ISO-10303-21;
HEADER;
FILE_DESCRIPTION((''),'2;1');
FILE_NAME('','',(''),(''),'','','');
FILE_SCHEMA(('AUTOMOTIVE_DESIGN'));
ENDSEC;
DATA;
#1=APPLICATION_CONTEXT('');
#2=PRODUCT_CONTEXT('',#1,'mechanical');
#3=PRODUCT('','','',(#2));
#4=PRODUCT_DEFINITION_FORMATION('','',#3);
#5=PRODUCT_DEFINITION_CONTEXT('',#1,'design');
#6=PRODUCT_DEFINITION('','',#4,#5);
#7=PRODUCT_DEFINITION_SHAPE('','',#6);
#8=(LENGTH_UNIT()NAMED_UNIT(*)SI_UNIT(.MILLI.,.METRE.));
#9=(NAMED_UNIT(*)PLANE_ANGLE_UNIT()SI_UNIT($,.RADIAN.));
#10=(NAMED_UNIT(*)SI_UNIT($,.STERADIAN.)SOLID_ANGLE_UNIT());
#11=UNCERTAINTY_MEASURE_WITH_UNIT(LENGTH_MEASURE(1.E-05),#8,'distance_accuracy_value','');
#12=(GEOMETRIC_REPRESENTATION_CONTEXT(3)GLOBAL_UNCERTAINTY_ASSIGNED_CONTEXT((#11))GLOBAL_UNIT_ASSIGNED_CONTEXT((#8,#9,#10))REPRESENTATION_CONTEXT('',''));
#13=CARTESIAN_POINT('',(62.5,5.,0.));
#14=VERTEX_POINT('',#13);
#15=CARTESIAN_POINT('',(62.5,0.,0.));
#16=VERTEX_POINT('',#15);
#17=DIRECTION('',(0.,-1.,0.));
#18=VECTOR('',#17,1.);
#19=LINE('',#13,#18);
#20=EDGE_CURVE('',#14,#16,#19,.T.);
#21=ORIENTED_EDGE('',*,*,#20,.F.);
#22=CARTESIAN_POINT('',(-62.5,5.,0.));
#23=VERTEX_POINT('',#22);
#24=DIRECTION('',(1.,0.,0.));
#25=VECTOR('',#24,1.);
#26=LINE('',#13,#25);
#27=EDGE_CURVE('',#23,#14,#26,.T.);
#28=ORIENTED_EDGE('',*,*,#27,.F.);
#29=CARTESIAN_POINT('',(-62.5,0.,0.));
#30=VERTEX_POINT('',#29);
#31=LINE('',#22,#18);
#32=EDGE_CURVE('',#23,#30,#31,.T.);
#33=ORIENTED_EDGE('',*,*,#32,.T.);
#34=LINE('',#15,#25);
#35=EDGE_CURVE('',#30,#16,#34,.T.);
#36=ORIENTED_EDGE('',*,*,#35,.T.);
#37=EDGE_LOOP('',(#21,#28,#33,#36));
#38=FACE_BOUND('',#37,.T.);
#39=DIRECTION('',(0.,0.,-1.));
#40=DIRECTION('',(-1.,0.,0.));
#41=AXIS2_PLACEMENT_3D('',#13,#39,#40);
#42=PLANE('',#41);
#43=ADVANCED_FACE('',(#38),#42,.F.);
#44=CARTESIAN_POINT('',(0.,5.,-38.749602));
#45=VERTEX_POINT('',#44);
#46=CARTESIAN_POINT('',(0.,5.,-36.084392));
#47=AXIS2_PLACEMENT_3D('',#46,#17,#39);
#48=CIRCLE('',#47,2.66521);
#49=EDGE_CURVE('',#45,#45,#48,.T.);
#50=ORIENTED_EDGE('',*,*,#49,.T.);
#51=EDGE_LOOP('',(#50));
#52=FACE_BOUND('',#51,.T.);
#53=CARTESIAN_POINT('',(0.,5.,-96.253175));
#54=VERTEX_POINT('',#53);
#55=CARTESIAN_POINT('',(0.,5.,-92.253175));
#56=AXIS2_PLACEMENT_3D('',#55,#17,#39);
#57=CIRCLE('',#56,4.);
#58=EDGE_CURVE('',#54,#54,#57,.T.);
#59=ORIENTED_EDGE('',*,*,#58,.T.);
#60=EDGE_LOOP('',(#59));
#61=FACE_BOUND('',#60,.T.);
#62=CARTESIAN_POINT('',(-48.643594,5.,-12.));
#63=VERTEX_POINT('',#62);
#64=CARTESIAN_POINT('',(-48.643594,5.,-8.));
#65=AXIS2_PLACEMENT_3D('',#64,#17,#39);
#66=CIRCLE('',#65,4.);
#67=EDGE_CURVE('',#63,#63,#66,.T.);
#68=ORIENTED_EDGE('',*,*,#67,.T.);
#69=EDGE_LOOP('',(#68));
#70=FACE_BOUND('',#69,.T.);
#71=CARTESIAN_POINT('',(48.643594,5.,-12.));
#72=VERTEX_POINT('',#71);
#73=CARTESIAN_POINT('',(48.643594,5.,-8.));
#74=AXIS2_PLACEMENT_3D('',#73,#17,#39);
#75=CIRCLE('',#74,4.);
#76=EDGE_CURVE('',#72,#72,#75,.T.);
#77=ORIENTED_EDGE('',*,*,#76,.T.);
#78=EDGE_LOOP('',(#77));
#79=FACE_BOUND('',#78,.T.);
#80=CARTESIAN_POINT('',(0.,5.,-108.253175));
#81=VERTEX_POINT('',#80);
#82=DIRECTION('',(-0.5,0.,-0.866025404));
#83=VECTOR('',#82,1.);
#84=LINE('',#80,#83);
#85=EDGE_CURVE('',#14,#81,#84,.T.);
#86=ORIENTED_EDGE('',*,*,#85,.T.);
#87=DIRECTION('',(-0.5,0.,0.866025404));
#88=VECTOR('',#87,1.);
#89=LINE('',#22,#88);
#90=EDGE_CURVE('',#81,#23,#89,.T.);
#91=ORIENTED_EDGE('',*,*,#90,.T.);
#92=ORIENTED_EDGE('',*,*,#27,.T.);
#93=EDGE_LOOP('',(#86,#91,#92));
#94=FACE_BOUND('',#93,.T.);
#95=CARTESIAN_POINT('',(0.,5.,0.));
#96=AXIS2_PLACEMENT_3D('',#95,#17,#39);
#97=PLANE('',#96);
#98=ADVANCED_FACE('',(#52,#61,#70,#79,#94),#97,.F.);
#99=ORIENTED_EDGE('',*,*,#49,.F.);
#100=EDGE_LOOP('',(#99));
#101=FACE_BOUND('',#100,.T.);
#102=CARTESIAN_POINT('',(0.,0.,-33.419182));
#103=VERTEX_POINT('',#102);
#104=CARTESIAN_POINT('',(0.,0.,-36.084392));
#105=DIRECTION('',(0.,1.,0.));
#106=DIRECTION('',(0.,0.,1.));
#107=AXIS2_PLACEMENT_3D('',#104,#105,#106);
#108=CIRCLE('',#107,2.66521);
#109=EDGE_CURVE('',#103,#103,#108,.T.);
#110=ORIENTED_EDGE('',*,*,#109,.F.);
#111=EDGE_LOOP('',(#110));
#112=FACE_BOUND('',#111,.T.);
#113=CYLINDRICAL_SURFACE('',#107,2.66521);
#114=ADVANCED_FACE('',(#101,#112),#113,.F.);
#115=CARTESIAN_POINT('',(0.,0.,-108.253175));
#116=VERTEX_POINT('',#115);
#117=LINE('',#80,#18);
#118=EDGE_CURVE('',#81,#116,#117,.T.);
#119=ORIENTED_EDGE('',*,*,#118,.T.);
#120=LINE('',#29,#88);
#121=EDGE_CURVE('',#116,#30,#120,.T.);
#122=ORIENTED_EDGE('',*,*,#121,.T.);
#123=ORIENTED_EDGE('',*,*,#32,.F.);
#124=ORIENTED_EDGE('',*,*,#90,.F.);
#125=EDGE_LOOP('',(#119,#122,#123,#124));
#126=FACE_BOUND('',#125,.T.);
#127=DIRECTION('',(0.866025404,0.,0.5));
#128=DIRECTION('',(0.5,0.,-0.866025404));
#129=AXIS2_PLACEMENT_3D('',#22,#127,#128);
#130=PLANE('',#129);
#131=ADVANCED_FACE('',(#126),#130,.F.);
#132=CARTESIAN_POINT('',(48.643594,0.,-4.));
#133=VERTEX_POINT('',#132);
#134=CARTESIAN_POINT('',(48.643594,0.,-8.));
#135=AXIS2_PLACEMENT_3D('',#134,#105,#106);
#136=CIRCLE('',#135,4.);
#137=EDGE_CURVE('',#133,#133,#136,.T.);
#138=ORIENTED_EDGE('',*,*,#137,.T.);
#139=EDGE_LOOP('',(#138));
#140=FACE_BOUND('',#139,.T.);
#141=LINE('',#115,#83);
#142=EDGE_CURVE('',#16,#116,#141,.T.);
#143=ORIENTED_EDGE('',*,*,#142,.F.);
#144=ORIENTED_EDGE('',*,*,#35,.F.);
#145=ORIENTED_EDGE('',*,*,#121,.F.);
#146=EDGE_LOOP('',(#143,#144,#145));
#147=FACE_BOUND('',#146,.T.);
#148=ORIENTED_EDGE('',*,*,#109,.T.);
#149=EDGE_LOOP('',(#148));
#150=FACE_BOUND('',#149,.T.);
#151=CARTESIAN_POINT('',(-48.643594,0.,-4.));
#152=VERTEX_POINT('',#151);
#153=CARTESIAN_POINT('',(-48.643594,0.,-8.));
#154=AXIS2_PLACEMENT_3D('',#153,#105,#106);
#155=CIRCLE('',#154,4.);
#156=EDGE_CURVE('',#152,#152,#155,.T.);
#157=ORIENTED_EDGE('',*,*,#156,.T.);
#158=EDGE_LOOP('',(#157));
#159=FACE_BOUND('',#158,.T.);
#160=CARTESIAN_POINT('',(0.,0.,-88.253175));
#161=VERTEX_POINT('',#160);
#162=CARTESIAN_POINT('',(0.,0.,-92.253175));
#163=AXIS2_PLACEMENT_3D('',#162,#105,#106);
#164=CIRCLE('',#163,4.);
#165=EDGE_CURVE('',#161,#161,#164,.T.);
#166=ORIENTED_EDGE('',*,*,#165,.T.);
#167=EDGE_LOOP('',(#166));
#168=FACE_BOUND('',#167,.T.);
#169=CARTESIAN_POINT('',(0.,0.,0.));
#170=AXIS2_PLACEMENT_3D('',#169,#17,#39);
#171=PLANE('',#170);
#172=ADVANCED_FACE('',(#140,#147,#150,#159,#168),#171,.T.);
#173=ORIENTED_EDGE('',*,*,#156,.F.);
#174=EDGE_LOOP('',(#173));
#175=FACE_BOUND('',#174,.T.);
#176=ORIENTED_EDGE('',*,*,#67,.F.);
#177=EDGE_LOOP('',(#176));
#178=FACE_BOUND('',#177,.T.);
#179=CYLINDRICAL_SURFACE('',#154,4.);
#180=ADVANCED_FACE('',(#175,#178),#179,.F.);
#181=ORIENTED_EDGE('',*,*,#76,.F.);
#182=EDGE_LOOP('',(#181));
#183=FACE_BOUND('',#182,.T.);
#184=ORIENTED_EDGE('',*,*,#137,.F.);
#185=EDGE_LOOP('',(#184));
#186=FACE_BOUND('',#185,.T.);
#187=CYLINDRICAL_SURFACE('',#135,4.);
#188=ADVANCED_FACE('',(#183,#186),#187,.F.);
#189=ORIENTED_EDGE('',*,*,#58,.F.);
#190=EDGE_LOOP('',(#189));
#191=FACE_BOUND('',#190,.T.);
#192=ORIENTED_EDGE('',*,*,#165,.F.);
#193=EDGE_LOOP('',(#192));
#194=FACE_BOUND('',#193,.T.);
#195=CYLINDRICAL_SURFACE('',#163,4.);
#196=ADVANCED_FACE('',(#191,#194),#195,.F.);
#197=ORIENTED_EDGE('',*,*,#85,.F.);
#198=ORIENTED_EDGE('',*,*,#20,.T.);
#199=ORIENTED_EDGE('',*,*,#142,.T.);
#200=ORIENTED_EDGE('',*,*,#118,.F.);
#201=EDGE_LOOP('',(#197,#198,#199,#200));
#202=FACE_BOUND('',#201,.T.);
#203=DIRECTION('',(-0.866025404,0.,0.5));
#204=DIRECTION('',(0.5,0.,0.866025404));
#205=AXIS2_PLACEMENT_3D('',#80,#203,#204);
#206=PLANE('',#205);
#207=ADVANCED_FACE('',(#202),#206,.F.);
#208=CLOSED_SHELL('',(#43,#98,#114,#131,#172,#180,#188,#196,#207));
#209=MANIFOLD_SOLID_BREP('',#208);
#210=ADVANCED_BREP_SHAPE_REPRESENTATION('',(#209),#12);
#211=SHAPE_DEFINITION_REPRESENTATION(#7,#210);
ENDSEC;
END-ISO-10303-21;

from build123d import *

# Parameters (mm, degrees)
BOSS_EXTRUDE1_DEPTH     = 5
CUT_EXTRUDE1_DEPTH      = 126.099960032
CUT_EXTRUDE1_DEPTH_BACK = 126.099960032
SKETCH2_R               = 4
SKETCH2_R_2             = 2.665209895


with BuildPart() as part:
    # Sketch1 → Boss-Extrude1 (new body)
    with BuildSketch(Plane(origin=(0, 0, 0), x_dir=(1, 0, 0), z_dir=(0, 1, 0))):
        Polygon((0, 108.253175473), (62.5, 0), (-62.5, 0), align=None)
    extrude(amount=BOSS_EXTRUDE1_DEPTH)

    # Sketch2 → Cut-Extrude1 (cut, two sides: drawn at the far end of the back side and taken through both)
    with BuildSketch(Plane(origin=(0, 5, 0), x_dir=(1, 0, 0), z_dir=(0, 1, 0)).offset(-CUT_EXTRUDE1_DEPTH_BACK)):
        with Locations(Location((-48.643593539, 8, 0), (0, 0, 270))):
            Circle(SKETCH2_R)
        with Locations(Location((48.643593539, 8, 0), (0, 0, 270))):
            Circle(SKETCH2_R)
        with Locations(Location((0, 92.253175473, 0), (0, 0, 270))):
            Circle(SKETCH2_R)
        with Locations(Location((0, 36.084391824, 0), (0, 0, 270))):
            Circle(SKETCH2_R_2)
    extrude(amount=CUT_EXTRUDE1_DEPTH + CUT_EXTRUDE1_DEPTH_BACK, mode=Mode.SUBTRACT)


solid = part.part
